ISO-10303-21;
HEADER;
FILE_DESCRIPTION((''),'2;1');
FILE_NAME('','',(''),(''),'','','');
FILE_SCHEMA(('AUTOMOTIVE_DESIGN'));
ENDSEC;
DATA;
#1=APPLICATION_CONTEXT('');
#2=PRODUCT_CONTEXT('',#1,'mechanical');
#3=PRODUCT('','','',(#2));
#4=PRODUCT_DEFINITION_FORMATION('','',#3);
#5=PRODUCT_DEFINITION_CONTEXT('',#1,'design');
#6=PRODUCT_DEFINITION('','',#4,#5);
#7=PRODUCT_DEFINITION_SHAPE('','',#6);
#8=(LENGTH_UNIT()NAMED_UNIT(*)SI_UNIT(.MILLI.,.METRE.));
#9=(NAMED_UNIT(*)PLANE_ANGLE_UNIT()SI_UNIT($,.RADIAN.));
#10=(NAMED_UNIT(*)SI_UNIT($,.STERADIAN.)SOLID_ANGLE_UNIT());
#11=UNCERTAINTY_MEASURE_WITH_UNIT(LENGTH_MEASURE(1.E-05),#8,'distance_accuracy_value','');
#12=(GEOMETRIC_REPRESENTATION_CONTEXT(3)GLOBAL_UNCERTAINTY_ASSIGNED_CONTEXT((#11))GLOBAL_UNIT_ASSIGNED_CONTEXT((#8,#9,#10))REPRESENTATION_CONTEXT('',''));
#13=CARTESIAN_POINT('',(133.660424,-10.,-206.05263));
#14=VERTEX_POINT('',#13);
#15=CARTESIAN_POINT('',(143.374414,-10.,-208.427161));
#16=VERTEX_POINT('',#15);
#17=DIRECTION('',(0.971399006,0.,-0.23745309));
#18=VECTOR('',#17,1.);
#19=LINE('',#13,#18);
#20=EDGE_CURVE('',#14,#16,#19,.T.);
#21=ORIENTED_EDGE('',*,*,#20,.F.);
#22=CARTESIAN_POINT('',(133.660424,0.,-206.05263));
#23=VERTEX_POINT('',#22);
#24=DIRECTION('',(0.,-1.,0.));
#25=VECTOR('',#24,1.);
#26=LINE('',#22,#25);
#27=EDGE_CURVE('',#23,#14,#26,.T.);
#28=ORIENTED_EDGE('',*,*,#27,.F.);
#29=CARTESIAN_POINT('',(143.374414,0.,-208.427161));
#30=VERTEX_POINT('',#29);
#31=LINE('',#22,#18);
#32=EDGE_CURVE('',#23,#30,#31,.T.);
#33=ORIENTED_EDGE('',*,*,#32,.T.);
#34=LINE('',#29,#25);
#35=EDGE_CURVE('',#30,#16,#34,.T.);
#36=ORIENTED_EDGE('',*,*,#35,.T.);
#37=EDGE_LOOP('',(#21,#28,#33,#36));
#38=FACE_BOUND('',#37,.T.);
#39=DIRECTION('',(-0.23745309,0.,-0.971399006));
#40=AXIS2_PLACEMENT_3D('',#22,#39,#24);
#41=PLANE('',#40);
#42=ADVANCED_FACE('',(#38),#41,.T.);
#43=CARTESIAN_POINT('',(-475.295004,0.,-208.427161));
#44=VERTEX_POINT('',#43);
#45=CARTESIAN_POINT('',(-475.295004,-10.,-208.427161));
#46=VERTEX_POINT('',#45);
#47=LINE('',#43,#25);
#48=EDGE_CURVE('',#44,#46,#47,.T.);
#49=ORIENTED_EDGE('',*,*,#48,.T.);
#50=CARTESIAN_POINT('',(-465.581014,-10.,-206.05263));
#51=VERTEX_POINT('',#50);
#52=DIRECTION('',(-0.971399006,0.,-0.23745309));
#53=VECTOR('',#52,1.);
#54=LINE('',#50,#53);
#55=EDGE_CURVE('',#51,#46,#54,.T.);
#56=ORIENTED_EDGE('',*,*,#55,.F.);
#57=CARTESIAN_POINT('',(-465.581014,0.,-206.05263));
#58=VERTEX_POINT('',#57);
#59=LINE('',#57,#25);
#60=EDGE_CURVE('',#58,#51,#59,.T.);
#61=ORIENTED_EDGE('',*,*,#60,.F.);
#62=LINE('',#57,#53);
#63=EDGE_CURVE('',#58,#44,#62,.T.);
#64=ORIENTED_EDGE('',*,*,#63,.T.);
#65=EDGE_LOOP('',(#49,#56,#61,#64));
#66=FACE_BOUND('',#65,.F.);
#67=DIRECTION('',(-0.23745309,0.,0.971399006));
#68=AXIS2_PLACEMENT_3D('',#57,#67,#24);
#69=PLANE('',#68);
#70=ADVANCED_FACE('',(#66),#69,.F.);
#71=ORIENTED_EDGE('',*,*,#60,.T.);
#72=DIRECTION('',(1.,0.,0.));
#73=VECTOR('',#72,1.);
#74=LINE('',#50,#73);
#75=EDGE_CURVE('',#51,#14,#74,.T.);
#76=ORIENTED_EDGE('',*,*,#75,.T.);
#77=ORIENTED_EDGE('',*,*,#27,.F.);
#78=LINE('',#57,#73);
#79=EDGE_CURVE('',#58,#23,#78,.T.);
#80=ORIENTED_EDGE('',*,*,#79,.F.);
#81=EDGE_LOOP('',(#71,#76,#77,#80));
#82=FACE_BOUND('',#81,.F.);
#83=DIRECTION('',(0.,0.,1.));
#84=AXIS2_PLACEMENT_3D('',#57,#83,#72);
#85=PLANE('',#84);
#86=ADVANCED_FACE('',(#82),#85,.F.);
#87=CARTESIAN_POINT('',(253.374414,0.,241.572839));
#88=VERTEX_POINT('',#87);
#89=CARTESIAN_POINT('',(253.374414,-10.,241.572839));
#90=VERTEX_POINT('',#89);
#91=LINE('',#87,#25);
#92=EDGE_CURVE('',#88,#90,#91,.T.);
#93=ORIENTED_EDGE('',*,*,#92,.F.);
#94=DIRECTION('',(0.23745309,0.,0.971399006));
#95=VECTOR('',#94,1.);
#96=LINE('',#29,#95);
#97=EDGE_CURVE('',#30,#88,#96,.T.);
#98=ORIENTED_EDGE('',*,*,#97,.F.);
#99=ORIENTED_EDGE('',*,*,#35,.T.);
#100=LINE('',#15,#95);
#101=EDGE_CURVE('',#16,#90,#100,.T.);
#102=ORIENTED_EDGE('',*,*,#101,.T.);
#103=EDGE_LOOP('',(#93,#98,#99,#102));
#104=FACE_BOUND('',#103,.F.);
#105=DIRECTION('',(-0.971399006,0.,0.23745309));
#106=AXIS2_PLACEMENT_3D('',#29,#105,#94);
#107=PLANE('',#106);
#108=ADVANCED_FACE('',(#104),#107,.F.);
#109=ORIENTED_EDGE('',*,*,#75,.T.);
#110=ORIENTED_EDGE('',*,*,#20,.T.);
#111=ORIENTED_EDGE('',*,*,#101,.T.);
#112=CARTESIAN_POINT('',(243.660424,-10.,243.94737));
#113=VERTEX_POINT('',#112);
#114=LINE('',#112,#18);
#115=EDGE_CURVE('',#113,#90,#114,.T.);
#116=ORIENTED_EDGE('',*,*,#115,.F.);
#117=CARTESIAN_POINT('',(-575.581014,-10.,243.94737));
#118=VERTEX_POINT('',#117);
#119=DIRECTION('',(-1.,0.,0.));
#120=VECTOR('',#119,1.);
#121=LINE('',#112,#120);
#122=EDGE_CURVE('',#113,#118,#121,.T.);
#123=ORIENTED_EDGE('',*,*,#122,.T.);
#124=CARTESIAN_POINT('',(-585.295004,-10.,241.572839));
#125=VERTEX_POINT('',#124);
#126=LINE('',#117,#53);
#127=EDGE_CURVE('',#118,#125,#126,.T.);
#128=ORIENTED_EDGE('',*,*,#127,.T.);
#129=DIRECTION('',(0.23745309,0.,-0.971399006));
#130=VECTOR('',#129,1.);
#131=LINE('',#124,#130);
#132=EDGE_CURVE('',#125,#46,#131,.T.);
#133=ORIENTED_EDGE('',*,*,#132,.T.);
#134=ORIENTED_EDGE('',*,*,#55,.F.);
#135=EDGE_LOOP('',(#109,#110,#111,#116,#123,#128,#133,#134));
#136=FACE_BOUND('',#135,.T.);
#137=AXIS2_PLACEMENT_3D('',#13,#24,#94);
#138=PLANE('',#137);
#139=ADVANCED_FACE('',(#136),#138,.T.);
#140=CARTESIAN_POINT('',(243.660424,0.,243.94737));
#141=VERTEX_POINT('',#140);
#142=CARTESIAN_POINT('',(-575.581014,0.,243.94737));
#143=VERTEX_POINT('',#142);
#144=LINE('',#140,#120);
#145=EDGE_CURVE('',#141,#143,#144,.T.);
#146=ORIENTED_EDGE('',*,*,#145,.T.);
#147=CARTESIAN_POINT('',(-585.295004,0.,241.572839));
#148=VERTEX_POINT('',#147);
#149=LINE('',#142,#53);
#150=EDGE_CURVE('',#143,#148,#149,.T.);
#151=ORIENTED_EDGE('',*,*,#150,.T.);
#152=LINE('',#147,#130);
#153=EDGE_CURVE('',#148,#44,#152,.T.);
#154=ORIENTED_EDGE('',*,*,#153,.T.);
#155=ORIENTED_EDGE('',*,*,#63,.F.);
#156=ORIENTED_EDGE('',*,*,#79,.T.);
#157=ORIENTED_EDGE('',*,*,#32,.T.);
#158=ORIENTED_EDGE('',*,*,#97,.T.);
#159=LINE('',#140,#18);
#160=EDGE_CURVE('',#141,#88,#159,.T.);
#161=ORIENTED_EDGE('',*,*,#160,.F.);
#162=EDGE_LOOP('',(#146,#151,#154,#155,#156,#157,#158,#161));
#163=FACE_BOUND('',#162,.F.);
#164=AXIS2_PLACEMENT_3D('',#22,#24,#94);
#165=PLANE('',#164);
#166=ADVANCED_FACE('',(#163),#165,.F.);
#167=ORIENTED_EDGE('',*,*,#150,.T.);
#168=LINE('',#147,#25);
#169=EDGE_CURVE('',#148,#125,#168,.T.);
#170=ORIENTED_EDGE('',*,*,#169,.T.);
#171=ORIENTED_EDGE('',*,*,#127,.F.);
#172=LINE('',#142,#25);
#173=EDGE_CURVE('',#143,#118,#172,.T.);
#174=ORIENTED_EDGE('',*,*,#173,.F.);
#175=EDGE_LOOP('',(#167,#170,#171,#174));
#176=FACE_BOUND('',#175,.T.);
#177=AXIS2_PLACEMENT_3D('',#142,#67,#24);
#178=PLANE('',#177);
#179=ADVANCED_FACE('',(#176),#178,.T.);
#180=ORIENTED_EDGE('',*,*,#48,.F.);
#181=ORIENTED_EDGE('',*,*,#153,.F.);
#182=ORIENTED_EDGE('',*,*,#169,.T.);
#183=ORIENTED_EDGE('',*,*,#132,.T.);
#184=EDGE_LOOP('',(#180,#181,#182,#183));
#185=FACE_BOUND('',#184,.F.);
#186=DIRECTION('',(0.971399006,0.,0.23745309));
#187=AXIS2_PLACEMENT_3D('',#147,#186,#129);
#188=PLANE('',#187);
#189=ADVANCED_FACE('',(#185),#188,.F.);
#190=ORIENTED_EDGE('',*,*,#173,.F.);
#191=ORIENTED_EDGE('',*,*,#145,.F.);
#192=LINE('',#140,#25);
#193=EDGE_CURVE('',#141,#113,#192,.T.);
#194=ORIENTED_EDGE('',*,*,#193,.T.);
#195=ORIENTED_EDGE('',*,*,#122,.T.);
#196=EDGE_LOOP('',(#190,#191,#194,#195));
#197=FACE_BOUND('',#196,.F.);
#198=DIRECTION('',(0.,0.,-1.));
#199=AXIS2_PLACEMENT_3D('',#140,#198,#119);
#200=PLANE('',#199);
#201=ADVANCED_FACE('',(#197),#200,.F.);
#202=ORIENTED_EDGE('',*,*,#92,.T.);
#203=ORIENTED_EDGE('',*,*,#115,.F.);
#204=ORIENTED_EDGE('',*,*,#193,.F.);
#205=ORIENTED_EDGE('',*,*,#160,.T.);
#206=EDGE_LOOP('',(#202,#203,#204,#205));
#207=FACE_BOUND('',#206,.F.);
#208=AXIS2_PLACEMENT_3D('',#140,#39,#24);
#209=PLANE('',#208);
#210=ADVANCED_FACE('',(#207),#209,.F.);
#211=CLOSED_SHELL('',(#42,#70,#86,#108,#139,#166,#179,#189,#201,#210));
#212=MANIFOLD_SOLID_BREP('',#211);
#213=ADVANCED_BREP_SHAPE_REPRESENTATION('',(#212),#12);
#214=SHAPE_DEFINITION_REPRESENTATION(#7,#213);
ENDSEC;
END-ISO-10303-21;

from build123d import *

# Parameters (mm, degrees)
F0_W     = 540
F0_H     = 390
F1_DEPTH = 10
F2_W     = 80
F2_H     = 80
F2_R     = 15
F3_DEPTH = 10
F4_R     = 15
F5_DEPTH = 10
F6_DEPTH = 10
F7_DEPTH = 10


with BuildPart() as f1:
    # F0 (on Front) → F1 (new body)
    with BuildSketch(Plane.XZ):
        Polygon((-575.5810141563, 243.9473703504), (-465.5810141563, -206.0526296496), (133.660423523, -206.0526296496), (243.660423523, 243.9473703504), (133.660423523, 243.9473703504), (-465.5810141563, 243.9473703504), align=None)
        with Locations((-166.339576477, 18.9473703504)):
            Rectangle(F0_W, F0_H, mode=Mode.SUBTRACT)
        Polygon((-495.5810141563, 43.0153865893), (-537.3643879646, 213.9473703504), (-495.5810141563, 213.9473703504), align=None, mode=Mode.SUBTRACT)
        Polygon((163.660423523, 213.9473703504), (205.4437973313, 213.9473703504), (163.660423523, 43.0153865893), align=None, mode=Mode.SUBTRACT)
    extrude(amount=F1_DEPTH)

    # F2 (on face) → F3 (join)
    with BuildSketch(Plane.XZ.offset(10)):
        with Locations((-396.339576477, 173.9473703504)):
            Rectangle(F2_W, F2_H)
        with Locations((-396.339576477, 198.8157841563)):
            Circle(F2_R, mode=Mode.SUBTRACT)
        with Locations((63.660423523, 173.9473703504)):
            Rectangle(F2_W, F2_H)
        with Locations((63.660423523, 198.8157841563)):
            Circle(F2_R, mode=Mode.SUBTRACT)
        with Locations((63.660423523, -136.0526296496)):
            Rectangle(F2_W, F2_H)
        with Locations((63.660423523, -136.0526296496)):
            Circle(F2_R, mode=Mode.SUBTRACT)
        with Locations((-396.339576477, -136.0526296496)):
            Rectangle(F2_W, F2_H)
        with Locations((-396.339576477, -136.0526296496)):
            Circle(F2_R, mode=Mode.SUBTRACT)
    extrude(amount=-F3_DEPTH)

    # F4 (on face) → F5 (join)
    with BuildSketch(Plane.XZ.offset(10)):
        Polygon((243.660423523, 243.9473703504), (-575.5810141563, 243.9473703504), (-465.5810141563, -206.0526296496), (133.660423523, -206.0526296496), align=None)
        with Locations((-396.339576477, -136.0526296496)):
            Circle(F4_R, mode=Mode.SUBTRACT)
        Polygon((23.660423523, -96.0526296496), (23.660423523, -176.0526296496), (-356.339576477, -176.0526296496), (-356.339576477, -96.0526296496), (-436.339576477, -96.0526296496), (-436.339576477, 133.9473703504), (-356.339576477, 133.9473703504), (-356.339576477, 213.9473703504), (23.660423523, 213.9473703504), (23.660423523, 133.9473703504), (103.660423523, 133.9473703504), (103.660423523, -96.0526296496), align=None, mode=Mode.SUBTRACT)
        with Locations((63.660423523, -136.0526296496)):
            Circle(F4_R, mode=Mode.SUBTRACT)
        Polygon((-495.5810141563, 213.9473703504), (-495.5810141563, 43.0153865893), (-537.3643879646, 213.9473703504), align=None, mode=Mode.SUBTRACT)
        with Locations((-396.339576477, 198.8157841563)):
            Circle(F4_R, mode=Mode.SUBTRACT)
        Polygon((163.660423523, 43.0153865893), (163.660423523, 213.9473703504), (205.4437973313, 213.9473703504), align=None, mode=Mode.SUBTRACT)
        with Locations((63.660423523, 198.8157841563)):
            Circle(F4_R, mode=Mode.SUBTRACT)
        Polygon((-356.339576477, -176.0526296496), (23.660423523, -176.0526296496), (23.660423523, -96.0526296496), (103.660423523, -96.0526296496), (103.660423523, 133.9473703504), (23.660423523, 133.9473703504), (23.660423523, 213.9473703504), (-356.339576477, 213.9473703504), (-356.339576477, 133.9473703504), (-436.339576477, 133.9473703504), (-436.339576477, -96.0526296496), (-356.339576477, -96.0526296496), align=None)
        Polygon((-537.3643879646, 213.9473703504), (-495.5810141563, 43.0153865893), (-495.5810141563, 213.9473703504), align=None)
        Polygon((205.4437973313, 213.9473703504), (163.660423523, 213.9473703504), (163.660423523, 43.0153865893), align=None)
        with Locations((63.660423523, 198.8157841563)):
            Circle(F4_R)
        with Locations((-396.339576477, 198.8157841563)):
            Circle(F4_R)
        with Locations((-396.339576477, -136.0526296496)):
            Circle(F4_R)
        with Locations((63.660423523, -136.0526296496)):
            Circle(F4_R)
    extrude(amount=-F5_DEPTH)

    # F6 (add): a face of the model
    f6_faces = [f1.faces().sort_by_distance(p)[0] for p in [
        (-520.5810141563, -5, 18.9473703504),
    ]]
    extrude(f6_faces, amount=F6_DEPTH)

    # F7 (add): a face of the model
    f7_faces = [f1.faces().sort_by_distance(p)[0] for p in [
        (188.660423523, -5, 18.9473703504),
    ]]
    extrude(f7_faces, amount=F7_DEPTH)


solid = f1.part
